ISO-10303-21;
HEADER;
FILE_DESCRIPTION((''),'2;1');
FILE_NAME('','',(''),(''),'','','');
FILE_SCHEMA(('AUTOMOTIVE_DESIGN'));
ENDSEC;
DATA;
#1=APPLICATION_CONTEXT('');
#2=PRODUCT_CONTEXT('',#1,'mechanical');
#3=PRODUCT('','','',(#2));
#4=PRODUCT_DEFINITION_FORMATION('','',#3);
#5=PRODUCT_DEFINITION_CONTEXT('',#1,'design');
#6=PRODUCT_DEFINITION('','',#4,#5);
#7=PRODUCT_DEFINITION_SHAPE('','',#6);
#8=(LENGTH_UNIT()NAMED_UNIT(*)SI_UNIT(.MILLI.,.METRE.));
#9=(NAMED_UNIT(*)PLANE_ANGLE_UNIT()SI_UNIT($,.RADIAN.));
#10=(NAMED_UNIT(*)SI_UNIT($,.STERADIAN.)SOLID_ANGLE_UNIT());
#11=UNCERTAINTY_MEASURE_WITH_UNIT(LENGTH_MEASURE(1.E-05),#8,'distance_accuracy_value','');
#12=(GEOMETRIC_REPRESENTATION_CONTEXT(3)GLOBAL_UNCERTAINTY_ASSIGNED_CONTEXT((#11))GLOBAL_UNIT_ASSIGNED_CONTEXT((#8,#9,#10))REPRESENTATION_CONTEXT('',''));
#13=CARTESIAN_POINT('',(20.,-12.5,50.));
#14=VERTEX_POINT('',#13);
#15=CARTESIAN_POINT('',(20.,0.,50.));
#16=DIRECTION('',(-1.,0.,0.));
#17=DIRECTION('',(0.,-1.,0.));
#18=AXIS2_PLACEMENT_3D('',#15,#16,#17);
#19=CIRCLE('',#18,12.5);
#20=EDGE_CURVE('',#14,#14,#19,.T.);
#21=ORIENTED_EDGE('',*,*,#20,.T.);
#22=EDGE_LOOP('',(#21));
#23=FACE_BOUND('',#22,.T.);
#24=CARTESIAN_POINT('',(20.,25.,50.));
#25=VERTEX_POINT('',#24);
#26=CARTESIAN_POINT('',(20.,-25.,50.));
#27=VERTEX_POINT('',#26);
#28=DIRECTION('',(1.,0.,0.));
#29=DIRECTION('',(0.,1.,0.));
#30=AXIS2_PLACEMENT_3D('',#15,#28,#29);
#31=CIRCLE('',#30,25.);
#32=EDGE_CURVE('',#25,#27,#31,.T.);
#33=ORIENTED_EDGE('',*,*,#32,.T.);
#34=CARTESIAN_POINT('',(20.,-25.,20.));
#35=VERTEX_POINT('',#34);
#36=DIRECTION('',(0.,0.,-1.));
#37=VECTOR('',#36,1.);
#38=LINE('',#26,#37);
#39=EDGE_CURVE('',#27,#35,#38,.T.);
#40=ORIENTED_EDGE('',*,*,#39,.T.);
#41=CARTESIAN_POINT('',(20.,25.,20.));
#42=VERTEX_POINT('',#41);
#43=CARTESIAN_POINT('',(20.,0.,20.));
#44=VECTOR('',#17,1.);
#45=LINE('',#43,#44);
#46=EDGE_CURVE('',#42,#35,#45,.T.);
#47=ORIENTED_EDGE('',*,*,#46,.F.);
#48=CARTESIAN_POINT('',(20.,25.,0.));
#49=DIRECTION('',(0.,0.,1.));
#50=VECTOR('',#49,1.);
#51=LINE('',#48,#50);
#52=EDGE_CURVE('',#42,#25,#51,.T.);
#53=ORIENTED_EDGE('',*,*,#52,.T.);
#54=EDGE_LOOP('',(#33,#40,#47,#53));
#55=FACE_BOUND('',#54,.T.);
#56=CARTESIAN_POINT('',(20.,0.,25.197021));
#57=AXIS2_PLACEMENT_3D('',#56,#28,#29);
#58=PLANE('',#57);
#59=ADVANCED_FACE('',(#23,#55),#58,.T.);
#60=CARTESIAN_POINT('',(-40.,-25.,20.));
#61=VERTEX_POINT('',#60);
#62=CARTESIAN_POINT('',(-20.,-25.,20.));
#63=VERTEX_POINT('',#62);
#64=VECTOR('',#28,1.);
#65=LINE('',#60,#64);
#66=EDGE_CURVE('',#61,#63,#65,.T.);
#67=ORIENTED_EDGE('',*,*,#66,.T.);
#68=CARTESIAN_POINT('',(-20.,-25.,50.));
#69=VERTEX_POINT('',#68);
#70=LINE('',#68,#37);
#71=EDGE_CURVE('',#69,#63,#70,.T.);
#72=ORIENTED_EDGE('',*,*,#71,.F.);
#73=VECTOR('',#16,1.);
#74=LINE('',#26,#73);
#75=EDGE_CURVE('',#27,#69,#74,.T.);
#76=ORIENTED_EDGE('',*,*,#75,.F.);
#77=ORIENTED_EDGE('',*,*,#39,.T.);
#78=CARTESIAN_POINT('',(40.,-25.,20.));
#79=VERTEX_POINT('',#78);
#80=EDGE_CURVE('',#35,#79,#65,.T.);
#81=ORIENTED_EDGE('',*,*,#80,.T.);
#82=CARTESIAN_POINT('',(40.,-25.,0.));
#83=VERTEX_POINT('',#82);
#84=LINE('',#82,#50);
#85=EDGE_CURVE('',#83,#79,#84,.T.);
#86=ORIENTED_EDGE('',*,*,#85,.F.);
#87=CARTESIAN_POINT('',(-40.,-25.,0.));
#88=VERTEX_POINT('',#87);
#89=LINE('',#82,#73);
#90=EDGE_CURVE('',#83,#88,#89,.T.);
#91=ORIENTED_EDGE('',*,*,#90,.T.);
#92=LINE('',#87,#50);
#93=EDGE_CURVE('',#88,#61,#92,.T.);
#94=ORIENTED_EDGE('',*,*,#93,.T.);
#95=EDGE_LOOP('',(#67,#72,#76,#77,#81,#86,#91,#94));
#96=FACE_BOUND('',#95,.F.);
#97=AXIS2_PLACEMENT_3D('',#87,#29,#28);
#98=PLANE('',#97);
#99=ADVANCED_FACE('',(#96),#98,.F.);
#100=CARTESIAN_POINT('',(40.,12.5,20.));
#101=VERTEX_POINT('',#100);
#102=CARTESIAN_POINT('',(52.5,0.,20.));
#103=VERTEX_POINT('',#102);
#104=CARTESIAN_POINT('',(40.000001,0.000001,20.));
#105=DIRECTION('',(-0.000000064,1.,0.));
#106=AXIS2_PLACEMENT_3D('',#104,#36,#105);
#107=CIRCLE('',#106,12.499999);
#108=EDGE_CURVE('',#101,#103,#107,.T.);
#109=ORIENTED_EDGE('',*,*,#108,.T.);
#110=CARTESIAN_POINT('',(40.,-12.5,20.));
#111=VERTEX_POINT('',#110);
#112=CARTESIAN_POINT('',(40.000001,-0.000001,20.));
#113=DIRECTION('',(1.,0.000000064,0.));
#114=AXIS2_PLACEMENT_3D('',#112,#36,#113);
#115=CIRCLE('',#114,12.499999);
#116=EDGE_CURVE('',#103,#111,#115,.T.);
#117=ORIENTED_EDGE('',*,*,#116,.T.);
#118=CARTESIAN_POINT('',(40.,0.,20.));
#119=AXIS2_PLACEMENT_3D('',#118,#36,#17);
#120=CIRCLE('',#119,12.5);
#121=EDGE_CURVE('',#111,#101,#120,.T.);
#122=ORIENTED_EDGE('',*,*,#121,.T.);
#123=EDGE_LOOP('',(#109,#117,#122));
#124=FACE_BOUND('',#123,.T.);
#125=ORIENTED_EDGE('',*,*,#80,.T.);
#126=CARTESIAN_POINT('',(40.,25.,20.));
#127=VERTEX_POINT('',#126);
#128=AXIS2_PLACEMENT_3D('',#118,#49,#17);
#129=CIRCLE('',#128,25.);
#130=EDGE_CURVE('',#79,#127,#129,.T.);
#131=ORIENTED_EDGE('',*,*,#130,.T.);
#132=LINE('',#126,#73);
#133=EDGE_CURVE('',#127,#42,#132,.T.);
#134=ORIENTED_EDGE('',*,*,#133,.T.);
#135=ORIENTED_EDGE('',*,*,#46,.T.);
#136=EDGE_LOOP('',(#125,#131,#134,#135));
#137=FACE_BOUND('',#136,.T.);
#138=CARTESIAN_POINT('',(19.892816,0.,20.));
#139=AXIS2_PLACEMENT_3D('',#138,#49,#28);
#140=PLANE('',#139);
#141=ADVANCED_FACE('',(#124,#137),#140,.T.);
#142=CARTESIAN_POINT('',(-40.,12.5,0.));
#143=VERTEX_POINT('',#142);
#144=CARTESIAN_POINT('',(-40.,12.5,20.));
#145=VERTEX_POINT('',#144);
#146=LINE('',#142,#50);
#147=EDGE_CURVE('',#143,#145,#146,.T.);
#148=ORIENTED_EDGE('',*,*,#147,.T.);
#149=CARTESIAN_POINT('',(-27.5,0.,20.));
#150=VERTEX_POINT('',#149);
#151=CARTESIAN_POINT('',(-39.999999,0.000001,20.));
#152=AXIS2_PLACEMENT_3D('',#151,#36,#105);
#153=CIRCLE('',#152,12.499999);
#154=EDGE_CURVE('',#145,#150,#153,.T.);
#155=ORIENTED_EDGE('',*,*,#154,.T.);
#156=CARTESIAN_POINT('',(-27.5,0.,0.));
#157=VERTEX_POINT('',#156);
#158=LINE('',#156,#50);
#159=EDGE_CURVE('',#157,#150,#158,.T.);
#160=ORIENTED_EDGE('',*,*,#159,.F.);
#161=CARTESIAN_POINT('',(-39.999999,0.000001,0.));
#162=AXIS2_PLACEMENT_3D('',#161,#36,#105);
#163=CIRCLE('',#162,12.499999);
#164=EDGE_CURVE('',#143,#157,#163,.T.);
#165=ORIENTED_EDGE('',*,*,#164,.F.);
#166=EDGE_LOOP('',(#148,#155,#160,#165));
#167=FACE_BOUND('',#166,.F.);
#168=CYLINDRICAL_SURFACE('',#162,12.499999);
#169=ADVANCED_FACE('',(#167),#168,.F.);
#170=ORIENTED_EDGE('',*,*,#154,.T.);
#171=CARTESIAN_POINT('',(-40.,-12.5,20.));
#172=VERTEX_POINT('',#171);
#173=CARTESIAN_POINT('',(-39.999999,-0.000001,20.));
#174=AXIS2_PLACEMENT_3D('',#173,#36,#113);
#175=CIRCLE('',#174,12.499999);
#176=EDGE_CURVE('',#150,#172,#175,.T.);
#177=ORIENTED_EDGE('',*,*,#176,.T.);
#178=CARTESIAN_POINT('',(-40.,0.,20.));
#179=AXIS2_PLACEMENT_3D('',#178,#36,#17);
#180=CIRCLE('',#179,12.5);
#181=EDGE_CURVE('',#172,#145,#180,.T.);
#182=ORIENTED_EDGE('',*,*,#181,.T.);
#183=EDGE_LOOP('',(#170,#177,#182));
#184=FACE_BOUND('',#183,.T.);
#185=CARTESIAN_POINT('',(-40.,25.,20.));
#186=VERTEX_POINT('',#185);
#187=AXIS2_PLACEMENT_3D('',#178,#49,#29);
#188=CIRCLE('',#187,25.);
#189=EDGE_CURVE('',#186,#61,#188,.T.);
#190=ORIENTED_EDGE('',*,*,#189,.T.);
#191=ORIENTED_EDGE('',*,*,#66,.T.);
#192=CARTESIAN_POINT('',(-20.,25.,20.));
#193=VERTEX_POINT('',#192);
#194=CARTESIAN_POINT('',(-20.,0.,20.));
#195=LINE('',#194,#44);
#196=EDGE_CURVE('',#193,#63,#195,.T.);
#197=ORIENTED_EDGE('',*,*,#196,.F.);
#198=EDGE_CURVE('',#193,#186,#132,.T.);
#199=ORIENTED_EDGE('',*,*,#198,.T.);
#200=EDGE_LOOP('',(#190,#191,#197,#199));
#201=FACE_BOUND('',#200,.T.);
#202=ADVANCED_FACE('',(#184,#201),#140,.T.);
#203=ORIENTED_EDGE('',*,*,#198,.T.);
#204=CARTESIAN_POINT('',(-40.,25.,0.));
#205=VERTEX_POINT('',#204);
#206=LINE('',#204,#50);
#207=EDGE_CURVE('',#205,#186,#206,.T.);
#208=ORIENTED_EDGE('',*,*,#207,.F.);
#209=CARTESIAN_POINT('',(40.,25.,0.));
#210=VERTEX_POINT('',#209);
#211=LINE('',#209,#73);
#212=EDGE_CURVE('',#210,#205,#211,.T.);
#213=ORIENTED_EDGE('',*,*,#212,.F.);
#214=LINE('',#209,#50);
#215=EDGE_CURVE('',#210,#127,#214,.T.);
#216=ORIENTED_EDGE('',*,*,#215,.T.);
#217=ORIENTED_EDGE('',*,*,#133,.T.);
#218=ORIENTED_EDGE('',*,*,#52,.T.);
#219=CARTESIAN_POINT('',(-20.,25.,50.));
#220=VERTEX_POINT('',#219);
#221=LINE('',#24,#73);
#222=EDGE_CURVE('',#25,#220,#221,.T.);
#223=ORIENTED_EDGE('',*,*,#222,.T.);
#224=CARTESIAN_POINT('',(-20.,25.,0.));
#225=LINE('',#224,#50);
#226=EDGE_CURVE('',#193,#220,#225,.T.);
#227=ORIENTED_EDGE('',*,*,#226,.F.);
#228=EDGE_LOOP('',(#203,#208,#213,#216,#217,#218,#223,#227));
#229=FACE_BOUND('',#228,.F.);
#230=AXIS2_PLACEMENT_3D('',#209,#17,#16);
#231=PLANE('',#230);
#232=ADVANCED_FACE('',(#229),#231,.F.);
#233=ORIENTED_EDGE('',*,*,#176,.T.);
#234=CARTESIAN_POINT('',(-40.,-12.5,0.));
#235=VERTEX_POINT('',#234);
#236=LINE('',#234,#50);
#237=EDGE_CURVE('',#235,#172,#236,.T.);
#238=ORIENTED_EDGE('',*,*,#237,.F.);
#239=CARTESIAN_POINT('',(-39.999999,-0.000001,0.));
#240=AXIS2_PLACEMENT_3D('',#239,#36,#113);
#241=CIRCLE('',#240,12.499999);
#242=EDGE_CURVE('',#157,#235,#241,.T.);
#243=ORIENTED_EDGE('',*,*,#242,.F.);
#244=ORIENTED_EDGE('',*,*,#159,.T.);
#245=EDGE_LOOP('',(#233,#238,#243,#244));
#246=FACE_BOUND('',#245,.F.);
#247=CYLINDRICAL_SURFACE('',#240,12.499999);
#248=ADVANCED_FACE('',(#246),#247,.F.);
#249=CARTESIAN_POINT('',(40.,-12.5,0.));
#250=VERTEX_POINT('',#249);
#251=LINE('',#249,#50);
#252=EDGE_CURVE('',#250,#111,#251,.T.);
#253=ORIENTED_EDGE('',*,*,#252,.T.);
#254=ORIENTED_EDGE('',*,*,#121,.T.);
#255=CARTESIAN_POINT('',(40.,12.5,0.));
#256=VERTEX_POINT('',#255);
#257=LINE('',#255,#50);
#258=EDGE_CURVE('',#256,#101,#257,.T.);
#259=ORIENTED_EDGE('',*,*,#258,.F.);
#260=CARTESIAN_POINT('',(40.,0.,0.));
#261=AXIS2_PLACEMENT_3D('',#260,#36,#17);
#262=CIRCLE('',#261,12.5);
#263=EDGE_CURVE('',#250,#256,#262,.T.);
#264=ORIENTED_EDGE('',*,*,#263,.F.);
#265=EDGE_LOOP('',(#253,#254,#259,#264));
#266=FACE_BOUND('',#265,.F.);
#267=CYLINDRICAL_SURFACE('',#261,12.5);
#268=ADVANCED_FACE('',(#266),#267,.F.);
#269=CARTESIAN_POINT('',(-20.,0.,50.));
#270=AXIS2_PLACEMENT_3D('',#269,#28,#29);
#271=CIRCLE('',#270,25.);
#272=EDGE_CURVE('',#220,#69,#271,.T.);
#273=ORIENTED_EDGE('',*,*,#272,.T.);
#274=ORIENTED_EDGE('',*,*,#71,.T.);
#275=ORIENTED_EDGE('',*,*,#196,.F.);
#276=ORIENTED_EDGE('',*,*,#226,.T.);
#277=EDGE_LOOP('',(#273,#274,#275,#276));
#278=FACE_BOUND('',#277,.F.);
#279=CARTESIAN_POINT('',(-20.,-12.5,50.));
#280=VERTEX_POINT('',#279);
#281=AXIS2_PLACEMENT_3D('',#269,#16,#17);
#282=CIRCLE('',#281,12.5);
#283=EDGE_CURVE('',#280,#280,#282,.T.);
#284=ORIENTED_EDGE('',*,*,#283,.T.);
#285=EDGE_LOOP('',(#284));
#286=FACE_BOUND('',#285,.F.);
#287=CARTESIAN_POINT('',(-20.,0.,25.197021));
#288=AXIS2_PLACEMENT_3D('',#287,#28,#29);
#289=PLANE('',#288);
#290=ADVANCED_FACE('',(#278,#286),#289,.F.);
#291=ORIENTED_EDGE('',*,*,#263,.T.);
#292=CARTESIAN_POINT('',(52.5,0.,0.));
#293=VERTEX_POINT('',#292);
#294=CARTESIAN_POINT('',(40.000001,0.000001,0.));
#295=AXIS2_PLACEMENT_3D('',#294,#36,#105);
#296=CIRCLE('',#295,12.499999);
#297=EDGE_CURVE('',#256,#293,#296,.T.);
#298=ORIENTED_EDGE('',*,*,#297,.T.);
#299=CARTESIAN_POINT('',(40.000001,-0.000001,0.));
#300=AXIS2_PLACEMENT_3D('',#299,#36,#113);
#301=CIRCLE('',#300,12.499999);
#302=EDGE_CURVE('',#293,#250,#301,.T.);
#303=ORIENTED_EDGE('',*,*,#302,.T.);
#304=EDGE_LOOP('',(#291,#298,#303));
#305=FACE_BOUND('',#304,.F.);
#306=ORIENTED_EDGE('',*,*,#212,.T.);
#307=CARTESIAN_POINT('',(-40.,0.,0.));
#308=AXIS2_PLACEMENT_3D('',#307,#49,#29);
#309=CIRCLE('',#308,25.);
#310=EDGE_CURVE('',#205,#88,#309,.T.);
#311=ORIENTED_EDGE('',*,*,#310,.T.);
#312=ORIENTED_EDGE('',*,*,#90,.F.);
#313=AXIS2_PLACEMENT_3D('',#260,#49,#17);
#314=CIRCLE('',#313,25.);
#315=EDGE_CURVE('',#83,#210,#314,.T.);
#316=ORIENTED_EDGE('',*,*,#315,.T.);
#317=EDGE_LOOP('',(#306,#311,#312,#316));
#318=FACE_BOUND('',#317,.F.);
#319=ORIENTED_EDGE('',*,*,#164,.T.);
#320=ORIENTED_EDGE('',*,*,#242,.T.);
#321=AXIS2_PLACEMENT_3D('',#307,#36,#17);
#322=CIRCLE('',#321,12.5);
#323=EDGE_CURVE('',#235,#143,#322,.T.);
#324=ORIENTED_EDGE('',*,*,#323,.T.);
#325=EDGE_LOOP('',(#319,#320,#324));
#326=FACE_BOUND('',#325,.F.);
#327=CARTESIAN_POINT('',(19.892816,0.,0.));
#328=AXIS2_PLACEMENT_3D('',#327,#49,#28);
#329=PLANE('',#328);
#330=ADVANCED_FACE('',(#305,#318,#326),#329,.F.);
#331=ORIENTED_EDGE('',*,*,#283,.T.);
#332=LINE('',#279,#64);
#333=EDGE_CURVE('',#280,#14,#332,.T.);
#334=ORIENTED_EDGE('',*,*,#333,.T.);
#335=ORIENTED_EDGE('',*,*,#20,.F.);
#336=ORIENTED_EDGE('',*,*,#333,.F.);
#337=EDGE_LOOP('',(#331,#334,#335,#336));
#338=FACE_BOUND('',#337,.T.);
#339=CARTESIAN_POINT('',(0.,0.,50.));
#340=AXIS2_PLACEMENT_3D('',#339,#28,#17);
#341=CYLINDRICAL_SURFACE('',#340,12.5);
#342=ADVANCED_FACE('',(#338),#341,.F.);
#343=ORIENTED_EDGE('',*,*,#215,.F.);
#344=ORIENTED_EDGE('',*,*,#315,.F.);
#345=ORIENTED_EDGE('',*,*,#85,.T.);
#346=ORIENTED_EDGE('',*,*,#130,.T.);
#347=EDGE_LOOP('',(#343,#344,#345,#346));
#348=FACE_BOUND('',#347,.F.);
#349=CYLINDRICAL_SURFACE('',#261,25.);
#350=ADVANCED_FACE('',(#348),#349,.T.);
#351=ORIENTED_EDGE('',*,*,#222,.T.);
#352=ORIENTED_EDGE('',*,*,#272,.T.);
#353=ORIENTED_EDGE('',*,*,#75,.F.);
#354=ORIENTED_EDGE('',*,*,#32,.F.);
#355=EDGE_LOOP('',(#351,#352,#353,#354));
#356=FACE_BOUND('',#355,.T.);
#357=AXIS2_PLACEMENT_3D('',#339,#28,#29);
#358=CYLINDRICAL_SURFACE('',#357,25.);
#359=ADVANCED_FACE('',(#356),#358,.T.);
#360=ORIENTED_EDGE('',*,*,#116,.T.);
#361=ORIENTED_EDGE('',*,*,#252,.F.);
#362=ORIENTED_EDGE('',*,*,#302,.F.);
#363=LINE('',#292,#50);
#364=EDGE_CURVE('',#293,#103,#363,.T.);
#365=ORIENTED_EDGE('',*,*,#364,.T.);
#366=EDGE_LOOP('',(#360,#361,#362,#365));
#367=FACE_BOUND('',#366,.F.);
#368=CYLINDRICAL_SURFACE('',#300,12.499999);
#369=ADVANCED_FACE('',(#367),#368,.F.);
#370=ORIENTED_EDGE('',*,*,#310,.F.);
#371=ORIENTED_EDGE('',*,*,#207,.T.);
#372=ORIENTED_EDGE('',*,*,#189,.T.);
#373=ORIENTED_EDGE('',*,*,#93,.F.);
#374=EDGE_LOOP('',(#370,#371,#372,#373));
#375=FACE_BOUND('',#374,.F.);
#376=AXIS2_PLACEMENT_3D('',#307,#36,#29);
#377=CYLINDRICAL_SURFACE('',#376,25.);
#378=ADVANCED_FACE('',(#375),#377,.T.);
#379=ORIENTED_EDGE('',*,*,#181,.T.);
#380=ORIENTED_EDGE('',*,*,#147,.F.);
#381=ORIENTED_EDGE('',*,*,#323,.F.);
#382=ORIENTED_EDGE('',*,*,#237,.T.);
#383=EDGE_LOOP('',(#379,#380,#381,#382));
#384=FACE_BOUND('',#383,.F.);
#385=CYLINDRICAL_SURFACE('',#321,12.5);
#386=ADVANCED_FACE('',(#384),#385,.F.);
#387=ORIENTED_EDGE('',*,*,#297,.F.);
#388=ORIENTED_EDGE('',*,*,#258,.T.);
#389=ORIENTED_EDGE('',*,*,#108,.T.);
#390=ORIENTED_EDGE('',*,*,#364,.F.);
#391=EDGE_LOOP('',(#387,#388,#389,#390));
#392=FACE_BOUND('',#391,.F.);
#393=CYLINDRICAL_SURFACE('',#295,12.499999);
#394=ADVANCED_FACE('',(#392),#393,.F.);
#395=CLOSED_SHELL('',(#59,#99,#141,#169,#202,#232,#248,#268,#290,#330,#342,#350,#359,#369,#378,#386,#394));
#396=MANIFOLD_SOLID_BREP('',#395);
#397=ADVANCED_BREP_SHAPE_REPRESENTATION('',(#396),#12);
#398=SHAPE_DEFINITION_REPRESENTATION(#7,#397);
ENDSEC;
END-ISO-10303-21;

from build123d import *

# Parameters (mm, degrees)
F1_DEPTH = 20
F3_DEPTH = 20


with BuildPart() as f1:
    # F0 (on Right) → F1 (new body, symmetric)
    with BuildSketch(Plane.YZ):
        with BuildLine():
            Line((-25, 50), (-25, 0))
            Line((-25, 0), (25, 0))
            Line((25, 0), (25, 50))
            Line((25, 50), (12.5, 50))
            ThreePointArc((12.5, 50), (0, 37.5), (-12.5, 50))
            Line((-12.5, 50), (-25, 50))
        make_face()
        with BuildLine():
            ThreePointArc((25, 50), (0, 75), (-25, 50))
            Line((-25, 50), (-12.5, 50))
            ThreePointArc((-12.5, 50), (0, 62.5), (12.5, 50))
            Line((12.5, 50), (25, 50))
        make_face()
    extrude(amount=F1_DEPTH, both=True)

    # F2 (on Top) → F3 (join)
    with BuildSketch(Plane.XY):
        with BuildLine():
            Line((40, 25), (0, 25))
            Line((0, 25), (0, -25))
            Line((0, -25), (40, -25))
            Line((40, -25), (40, -12.5))
            ThreePointArc((40, -12.5), (27.5, 0), (40, 12.5))
            Line((40, 12.5), (40, 25))
        make_face()
        with BuildLine():
            Line((0, -25), (0, 25))
            Line((0, 25), (-40, 25))
            Line((-40, 25), (-40, 12.5))
            ThreePointArc((-40, 12.5), (-31.161165, 8.838835), (-27.5, 0))
            ThreePointArc((-27.5, 0), (-31.161165, -8.838835), (-40, -12.5))
            Line((-40, -12.5), (-40, -25))
            Line((-40, -25), (0, -25))
        make_face()
        with BuildLine():
            Line((-40, 12.5), (-40, 25))
            ThreePointArc((-40, 25), (-65, 0), (-40, -25))
            Line((-40, -25), (-40, -12.5))
            ThreePointArc((-40, -12.5), (-52.5, 0), (-40, 12.5))
        make_face()
        with BuildLine():
            ThreePointArc((40, -25), (65, 0), (40, 25))
            Line((40, 25), (40, 12.5))
            ThreePointArc((40, 12.5), (48.838835, 8.838835), (52.5, 0))
            ThreePointArc((52.5, 0), (48.838835, -8.838835), (40, -12.5))
            Line((40, -12.5), (40, -25))
        make_face()
    extrude(amount=F3_DEPTH)


solid = f1.part
